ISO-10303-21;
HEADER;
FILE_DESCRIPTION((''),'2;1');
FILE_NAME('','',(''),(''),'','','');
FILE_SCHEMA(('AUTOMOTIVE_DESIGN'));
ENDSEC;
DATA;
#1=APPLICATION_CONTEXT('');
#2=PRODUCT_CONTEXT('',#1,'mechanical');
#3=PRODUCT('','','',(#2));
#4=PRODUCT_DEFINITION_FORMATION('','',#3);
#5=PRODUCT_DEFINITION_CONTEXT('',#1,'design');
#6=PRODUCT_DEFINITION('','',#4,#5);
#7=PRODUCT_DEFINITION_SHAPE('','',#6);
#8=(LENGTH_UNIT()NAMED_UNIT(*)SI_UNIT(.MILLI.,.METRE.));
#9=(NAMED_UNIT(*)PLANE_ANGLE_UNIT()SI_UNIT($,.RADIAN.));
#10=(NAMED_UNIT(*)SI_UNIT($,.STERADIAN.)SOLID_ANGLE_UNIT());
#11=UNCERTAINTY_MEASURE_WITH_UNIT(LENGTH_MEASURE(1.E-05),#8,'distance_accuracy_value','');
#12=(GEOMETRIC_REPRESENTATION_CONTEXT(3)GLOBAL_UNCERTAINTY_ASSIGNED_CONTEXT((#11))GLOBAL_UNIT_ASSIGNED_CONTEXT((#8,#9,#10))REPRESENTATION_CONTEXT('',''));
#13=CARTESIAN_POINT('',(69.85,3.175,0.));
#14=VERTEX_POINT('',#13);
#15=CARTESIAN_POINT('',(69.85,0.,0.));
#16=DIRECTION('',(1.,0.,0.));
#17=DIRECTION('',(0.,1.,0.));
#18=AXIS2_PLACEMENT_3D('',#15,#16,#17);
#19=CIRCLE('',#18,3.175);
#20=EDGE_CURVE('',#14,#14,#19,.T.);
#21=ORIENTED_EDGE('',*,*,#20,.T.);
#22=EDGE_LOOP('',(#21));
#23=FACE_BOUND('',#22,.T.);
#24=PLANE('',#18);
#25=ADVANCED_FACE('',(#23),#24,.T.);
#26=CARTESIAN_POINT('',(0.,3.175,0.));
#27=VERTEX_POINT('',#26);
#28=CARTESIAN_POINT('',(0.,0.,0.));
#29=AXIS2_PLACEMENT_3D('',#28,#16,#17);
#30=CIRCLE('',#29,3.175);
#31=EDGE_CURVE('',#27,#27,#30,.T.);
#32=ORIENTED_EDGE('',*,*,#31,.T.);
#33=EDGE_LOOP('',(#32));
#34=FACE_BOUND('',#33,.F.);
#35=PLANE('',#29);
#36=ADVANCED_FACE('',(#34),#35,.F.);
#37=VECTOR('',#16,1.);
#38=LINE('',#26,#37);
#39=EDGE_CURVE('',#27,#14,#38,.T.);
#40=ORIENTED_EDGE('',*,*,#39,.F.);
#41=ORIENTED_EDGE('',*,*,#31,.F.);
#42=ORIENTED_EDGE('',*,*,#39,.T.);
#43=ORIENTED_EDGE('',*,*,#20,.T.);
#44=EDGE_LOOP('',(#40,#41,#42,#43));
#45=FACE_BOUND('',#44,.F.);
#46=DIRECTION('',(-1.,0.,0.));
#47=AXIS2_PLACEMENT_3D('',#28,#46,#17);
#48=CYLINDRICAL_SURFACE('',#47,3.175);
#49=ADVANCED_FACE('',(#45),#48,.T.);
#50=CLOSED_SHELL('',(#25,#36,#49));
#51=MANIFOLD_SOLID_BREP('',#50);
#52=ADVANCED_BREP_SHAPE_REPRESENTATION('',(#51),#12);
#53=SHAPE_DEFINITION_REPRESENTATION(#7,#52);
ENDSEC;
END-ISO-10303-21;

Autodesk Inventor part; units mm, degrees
ref_plane "YZ Plane" through (0, 0, 0) normal (1, 0, 0) x (0, 1, 0)
ref_plane "XZ Plane" through (0, 0, 0) normal (0, 1, 0) x (-1, 0, 0)
ref_plane "XY Plane" through (0, 0, 0) normal (0, 0, 1) x (1, 0, 0)
sketch "Sketch1" plane through (0, 0, 0) normal (1, 0, 0) x (0, 1, 0)
  circle A0 centre (0, 0) radius 3.175
  dimension "d0" = 6.35
extrude "Extrusion1" add sketch "Sketch1" along normal blind 69.85
properties part number "GripperAxle"
